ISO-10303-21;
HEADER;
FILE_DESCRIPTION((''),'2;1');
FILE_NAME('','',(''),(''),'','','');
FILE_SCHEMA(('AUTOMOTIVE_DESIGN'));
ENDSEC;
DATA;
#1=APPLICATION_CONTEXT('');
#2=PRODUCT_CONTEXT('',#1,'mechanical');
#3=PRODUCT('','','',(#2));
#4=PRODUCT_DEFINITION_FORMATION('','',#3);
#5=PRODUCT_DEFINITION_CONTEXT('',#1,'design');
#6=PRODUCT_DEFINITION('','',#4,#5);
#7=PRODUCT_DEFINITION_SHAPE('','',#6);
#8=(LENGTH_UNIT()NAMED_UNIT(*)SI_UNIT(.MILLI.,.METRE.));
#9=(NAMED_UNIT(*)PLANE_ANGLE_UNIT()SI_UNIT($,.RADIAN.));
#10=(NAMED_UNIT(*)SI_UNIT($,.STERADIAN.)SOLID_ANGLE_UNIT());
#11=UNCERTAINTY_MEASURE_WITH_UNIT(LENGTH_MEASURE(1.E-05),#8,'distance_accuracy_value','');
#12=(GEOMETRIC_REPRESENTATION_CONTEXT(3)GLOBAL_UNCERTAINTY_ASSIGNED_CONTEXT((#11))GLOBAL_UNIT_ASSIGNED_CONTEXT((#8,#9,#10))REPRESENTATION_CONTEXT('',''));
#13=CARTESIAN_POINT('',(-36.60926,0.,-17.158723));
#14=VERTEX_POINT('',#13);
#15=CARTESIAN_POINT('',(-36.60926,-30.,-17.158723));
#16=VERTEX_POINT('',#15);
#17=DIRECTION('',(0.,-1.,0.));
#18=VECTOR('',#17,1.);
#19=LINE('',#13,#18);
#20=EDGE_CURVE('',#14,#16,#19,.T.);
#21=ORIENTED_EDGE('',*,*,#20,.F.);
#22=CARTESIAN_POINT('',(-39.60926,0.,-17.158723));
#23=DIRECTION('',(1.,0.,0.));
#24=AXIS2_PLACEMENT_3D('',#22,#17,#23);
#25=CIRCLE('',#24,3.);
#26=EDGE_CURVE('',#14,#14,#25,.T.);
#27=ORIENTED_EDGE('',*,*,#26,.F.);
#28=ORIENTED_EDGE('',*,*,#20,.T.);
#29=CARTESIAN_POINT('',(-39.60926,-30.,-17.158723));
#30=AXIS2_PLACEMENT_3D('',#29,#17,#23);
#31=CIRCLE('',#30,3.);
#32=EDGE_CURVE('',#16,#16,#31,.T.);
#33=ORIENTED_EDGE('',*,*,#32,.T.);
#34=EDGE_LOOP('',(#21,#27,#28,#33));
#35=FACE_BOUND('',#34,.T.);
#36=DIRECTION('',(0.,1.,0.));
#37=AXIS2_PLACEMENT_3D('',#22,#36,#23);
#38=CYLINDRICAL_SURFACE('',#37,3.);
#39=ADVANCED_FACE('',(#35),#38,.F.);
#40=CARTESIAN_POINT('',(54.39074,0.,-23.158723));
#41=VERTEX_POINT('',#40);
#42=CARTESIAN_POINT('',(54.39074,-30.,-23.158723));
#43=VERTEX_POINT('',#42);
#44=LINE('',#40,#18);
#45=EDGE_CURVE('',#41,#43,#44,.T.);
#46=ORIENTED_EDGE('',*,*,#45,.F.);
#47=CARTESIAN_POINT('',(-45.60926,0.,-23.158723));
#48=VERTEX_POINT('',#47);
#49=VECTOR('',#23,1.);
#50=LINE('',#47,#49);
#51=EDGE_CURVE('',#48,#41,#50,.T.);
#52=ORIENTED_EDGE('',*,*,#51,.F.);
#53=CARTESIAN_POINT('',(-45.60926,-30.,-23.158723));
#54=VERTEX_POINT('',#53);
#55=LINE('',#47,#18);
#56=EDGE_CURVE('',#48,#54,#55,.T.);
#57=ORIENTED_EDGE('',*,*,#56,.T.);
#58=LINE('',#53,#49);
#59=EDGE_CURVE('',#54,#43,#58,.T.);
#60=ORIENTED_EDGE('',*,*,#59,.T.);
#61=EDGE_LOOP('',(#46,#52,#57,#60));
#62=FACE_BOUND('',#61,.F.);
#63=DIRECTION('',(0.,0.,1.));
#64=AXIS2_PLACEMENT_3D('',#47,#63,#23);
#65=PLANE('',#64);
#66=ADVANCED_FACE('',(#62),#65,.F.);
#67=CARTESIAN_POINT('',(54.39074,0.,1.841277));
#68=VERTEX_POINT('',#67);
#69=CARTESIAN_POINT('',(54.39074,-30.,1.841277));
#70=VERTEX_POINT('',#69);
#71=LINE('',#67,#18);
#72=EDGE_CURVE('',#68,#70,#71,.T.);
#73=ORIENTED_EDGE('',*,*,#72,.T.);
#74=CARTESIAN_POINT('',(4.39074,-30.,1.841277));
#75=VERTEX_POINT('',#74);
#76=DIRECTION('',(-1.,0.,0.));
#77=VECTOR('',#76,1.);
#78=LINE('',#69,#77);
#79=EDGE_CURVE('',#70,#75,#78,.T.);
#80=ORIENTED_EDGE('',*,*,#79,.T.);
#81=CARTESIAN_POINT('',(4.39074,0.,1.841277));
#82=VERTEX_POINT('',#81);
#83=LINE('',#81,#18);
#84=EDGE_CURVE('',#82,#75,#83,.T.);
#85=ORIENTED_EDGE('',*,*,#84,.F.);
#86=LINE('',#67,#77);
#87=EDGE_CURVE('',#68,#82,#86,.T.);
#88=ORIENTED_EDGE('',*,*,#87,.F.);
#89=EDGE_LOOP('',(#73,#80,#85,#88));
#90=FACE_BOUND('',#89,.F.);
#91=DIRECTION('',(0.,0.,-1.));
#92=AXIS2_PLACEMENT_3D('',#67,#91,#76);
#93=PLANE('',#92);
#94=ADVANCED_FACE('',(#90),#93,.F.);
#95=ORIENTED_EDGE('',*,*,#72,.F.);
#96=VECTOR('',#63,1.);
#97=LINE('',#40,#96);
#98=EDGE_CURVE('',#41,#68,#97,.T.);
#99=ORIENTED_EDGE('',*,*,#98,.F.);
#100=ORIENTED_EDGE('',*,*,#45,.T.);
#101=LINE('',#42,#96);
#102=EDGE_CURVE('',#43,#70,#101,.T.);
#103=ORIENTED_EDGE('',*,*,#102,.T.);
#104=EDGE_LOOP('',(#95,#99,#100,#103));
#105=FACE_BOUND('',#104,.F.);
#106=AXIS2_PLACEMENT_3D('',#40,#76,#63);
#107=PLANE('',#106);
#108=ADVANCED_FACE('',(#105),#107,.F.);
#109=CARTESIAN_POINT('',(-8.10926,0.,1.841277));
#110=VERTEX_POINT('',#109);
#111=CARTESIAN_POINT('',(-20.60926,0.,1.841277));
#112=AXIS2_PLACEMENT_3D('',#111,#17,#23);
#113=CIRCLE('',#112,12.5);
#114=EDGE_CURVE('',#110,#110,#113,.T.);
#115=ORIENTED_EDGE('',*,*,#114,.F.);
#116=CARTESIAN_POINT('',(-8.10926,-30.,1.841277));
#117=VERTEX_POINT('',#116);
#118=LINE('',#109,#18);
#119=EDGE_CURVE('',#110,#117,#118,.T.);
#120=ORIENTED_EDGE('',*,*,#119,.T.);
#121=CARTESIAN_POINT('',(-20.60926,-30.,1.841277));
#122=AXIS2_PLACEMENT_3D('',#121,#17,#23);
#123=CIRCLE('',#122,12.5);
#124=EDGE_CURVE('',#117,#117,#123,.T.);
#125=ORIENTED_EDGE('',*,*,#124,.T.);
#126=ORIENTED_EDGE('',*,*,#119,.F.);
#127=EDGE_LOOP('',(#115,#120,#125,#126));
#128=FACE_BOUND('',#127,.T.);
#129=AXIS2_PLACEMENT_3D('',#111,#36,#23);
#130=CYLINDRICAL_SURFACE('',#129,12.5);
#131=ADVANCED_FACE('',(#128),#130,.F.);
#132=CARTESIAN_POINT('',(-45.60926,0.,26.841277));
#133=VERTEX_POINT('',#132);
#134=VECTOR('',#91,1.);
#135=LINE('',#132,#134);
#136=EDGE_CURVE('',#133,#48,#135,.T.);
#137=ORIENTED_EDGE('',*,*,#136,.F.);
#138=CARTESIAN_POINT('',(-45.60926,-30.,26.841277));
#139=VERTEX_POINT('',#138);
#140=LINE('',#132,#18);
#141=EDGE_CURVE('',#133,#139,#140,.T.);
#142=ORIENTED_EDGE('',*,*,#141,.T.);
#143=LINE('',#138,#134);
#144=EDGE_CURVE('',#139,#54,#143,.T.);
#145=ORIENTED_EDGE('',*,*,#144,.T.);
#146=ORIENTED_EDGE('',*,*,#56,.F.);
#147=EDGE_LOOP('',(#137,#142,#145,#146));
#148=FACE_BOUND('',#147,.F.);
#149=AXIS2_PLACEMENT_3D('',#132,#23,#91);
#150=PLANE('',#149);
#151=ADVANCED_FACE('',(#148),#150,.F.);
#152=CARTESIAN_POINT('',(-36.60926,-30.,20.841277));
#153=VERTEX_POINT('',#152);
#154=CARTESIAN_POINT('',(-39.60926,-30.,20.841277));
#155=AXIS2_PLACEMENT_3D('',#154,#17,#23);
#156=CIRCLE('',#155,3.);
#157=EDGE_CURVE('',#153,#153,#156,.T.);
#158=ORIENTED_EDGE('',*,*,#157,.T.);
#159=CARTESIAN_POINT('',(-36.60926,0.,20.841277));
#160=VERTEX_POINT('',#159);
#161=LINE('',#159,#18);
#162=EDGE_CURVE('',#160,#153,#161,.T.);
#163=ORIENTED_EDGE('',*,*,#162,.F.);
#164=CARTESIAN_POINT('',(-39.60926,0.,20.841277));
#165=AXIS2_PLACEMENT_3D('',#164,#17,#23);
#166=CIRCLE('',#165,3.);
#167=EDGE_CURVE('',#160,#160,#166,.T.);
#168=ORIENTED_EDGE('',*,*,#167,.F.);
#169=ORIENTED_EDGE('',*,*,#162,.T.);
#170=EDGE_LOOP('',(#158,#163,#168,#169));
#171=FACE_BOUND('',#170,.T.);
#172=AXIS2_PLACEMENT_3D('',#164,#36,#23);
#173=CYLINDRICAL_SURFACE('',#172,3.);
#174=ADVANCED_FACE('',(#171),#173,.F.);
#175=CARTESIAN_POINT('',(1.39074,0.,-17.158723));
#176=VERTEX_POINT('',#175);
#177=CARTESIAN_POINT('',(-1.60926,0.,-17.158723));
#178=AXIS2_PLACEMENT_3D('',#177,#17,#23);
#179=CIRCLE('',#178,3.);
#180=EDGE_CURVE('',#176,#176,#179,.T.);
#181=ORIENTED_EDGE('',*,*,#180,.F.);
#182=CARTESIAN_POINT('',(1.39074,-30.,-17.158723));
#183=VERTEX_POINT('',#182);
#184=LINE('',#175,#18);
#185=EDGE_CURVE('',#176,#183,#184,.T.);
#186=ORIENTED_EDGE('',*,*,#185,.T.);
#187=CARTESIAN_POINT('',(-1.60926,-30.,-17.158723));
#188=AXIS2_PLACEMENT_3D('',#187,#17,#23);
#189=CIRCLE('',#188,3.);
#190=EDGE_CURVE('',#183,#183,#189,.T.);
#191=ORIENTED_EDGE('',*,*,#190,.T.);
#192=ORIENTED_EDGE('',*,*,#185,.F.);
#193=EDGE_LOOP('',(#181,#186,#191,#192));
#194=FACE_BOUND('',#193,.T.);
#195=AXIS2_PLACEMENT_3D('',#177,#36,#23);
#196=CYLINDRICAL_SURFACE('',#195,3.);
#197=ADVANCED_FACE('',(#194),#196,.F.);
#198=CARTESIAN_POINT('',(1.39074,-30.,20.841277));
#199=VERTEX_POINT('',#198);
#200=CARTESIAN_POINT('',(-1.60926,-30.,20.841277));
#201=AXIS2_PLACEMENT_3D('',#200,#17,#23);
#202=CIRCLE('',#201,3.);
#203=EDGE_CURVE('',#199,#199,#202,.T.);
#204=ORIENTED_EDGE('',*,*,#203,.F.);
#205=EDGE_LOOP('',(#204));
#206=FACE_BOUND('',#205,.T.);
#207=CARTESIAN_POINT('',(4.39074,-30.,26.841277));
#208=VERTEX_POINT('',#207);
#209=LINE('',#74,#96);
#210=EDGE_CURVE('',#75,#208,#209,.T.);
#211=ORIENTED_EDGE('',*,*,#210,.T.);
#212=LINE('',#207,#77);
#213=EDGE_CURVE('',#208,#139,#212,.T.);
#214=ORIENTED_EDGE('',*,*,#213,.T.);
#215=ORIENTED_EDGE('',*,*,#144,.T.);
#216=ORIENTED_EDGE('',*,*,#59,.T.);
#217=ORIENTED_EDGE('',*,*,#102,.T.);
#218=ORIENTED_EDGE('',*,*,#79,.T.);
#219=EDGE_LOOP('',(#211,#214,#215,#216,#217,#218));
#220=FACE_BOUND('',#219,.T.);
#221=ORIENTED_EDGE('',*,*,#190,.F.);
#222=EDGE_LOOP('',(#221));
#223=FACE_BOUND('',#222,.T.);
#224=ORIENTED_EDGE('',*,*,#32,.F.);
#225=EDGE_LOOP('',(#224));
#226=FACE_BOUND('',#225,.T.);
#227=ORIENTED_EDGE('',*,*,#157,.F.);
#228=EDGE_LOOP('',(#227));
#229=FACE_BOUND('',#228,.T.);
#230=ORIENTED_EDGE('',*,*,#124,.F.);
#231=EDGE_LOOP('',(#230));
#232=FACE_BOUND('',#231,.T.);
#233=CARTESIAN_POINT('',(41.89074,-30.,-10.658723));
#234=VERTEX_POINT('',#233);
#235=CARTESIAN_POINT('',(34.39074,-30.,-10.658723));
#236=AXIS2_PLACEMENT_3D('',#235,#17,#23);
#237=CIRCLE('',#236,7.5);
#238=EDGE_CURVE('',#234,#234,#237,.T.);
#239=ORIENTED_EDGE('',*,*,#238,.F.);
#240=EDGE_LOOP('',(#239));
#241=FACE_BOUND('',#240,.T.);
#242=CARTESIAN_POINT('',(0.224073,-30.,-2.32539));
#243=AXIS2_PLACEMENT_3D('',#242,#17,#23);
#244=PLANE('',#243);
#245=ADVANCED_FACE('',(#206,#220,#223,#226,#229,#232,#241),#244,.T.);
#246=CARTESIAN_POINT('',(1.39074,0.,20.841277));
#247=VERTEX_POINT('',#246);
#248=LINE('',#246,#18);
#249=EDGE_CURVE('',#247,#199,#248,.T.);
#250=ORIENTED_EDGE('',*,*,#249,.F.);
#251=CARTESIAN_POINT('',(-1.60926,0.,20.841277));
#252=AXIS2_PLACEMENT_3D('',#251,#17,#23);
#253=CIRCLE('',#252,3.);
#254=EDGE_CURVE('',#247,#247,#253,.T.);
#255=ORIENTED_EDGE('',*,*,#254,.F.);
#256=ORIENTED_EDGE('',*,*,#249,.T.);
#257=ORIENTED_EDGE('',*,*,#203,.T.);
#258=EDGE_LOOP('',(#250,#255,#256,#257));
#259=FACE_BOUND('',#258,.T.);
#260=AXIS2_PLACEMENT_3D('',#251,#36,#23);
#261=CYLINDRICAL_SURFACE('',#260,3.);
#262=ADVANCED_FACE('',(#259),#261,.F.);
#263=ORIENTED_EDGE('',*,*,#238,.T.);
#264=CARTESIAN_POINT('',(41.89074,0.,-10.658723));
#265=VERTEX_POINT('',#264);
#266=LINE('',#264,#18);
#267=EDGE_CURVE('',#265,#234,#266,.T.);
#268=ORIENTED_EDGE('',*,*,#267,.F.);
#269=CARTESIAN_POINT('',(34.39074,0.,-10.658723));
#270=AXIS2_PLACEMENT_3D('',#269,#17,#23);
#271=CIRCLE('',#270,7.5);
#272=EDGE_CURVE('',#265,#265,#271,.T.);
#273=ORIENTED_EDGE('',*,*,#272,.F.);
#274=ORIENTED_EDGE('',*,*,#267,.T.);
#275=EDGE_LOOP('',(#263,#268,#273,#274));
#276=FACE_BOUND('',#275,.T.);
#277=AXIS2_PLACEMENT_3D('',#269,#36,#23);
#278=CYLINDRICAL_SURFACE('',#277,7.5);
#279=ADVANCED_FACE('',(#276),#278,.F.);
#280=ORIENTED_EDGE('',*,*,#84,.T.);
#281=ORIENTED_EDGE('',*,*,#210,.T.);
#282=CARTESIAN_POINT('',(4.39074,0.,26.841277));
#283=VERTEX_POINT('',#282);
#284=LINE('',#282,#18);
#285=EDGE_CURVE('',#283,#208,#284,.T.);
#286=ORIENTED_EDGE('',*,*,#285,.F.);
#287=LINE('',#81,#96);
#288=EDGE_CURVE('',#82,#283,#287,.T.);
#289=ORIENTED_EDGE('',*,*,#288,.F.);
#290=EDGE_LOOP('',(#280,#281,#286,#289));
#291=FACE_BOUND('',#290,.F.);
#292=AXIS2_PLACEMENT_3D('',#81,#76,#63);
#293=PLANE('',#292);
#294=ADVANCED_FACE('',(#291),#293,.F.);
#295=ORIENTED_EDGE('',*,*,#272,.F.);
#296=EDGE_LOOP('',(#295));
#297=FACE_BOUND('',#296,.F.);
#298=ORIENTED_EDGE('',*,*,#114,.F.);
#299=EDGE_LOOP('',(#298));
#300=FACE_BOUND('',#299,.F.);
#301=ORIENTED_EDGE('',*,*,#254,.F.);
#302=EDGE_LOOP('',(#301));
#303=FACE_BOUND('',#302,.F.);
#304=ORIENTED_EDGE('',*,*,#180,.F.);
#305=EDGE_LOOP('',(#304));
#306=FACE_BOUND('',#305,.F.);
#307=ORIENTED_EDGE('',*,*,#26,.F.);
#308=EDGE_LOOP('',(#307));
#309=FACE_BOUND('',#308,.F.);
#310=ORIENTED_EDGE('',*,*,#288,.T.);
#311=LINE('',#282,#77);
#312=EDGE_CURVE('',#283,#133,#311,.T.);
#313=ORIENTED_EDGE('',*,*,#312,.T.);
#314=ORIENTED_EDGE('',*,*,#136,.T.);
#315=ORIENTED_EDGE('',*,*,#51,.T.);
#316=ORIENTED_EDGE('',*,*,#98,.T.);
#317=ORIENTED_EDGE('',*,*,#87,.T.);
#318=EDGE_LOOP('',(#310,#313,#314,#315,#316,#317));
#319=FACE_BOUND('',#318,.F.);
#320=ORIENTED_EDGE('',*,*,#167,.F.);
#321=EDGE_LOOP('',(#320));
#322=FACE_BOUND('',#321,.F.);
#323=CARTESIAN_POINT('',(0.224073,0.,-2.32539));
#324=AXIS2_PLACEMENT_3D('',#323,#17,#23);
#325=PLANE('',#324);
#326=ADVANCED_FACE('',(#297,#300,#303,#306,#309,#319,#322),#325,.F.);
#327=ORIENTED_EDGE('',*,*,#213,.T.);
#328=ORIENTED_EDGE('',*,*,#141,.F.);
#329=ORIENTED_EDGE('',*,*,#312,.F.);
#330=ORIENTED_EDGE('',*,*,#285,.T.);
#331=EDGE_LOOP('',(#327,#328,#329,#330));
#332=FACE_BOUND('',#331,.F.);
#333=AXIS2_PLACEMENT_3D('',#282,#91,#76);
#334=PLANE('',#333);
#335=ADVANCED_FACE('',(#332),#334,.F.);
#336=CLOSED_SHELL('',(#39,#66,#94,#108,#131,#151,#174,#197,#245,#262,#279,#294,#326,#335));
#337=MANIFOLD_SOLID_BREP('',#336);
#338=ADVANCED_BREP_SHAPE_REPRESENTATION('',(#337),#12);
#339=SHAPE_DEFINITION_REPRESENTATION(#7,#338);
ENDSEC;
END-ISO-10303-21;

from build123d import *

# Parameters (mm, degrees)
F0_R     = 3
F0_R_2   = 12.5
F0_R_3   = 7.5
F1_DEPTH = 30


with BuildPart() as f1:
    # F0 (on Front) → F1 (new body)
    with BuildSketch(Plane.XZ):
        Polygon((4.39074, 26.841277), (-45.60926, 26.841277), (-45.60926, -23.158723), (54.39074, -23.158723), (54.39074, 1.841277), (4.39074, 1.841277), align=None)
        with Locations((-39.60926, -17.158723)):
            Circle(F0_R, mode=Mode.SUBTRACT)
        with Locations((-1.60926, -17.158723)):
            Circle(F0_R, mode=Mode.SUBTRACT)
        with Locations((-20.60926, 1.841277)):
            Circle(F0_R_2, mode=Mode.SUBTRACT)
        with Locations((34.39074, -10.658723)):
            Circle(F0_R_3, mode=Mode.SUBTRACT)
        with Locations((-39.60926, 20.841277)):
            Circle(F0_R, mode=Mode.SUBTRACT)
        with Locations((-1.60926, 20.841277)):
            Circle(F0_R, mode=Mode.SUBTRACT)
    extrude(amount=F1_DEPTH)


solid = f1.part
